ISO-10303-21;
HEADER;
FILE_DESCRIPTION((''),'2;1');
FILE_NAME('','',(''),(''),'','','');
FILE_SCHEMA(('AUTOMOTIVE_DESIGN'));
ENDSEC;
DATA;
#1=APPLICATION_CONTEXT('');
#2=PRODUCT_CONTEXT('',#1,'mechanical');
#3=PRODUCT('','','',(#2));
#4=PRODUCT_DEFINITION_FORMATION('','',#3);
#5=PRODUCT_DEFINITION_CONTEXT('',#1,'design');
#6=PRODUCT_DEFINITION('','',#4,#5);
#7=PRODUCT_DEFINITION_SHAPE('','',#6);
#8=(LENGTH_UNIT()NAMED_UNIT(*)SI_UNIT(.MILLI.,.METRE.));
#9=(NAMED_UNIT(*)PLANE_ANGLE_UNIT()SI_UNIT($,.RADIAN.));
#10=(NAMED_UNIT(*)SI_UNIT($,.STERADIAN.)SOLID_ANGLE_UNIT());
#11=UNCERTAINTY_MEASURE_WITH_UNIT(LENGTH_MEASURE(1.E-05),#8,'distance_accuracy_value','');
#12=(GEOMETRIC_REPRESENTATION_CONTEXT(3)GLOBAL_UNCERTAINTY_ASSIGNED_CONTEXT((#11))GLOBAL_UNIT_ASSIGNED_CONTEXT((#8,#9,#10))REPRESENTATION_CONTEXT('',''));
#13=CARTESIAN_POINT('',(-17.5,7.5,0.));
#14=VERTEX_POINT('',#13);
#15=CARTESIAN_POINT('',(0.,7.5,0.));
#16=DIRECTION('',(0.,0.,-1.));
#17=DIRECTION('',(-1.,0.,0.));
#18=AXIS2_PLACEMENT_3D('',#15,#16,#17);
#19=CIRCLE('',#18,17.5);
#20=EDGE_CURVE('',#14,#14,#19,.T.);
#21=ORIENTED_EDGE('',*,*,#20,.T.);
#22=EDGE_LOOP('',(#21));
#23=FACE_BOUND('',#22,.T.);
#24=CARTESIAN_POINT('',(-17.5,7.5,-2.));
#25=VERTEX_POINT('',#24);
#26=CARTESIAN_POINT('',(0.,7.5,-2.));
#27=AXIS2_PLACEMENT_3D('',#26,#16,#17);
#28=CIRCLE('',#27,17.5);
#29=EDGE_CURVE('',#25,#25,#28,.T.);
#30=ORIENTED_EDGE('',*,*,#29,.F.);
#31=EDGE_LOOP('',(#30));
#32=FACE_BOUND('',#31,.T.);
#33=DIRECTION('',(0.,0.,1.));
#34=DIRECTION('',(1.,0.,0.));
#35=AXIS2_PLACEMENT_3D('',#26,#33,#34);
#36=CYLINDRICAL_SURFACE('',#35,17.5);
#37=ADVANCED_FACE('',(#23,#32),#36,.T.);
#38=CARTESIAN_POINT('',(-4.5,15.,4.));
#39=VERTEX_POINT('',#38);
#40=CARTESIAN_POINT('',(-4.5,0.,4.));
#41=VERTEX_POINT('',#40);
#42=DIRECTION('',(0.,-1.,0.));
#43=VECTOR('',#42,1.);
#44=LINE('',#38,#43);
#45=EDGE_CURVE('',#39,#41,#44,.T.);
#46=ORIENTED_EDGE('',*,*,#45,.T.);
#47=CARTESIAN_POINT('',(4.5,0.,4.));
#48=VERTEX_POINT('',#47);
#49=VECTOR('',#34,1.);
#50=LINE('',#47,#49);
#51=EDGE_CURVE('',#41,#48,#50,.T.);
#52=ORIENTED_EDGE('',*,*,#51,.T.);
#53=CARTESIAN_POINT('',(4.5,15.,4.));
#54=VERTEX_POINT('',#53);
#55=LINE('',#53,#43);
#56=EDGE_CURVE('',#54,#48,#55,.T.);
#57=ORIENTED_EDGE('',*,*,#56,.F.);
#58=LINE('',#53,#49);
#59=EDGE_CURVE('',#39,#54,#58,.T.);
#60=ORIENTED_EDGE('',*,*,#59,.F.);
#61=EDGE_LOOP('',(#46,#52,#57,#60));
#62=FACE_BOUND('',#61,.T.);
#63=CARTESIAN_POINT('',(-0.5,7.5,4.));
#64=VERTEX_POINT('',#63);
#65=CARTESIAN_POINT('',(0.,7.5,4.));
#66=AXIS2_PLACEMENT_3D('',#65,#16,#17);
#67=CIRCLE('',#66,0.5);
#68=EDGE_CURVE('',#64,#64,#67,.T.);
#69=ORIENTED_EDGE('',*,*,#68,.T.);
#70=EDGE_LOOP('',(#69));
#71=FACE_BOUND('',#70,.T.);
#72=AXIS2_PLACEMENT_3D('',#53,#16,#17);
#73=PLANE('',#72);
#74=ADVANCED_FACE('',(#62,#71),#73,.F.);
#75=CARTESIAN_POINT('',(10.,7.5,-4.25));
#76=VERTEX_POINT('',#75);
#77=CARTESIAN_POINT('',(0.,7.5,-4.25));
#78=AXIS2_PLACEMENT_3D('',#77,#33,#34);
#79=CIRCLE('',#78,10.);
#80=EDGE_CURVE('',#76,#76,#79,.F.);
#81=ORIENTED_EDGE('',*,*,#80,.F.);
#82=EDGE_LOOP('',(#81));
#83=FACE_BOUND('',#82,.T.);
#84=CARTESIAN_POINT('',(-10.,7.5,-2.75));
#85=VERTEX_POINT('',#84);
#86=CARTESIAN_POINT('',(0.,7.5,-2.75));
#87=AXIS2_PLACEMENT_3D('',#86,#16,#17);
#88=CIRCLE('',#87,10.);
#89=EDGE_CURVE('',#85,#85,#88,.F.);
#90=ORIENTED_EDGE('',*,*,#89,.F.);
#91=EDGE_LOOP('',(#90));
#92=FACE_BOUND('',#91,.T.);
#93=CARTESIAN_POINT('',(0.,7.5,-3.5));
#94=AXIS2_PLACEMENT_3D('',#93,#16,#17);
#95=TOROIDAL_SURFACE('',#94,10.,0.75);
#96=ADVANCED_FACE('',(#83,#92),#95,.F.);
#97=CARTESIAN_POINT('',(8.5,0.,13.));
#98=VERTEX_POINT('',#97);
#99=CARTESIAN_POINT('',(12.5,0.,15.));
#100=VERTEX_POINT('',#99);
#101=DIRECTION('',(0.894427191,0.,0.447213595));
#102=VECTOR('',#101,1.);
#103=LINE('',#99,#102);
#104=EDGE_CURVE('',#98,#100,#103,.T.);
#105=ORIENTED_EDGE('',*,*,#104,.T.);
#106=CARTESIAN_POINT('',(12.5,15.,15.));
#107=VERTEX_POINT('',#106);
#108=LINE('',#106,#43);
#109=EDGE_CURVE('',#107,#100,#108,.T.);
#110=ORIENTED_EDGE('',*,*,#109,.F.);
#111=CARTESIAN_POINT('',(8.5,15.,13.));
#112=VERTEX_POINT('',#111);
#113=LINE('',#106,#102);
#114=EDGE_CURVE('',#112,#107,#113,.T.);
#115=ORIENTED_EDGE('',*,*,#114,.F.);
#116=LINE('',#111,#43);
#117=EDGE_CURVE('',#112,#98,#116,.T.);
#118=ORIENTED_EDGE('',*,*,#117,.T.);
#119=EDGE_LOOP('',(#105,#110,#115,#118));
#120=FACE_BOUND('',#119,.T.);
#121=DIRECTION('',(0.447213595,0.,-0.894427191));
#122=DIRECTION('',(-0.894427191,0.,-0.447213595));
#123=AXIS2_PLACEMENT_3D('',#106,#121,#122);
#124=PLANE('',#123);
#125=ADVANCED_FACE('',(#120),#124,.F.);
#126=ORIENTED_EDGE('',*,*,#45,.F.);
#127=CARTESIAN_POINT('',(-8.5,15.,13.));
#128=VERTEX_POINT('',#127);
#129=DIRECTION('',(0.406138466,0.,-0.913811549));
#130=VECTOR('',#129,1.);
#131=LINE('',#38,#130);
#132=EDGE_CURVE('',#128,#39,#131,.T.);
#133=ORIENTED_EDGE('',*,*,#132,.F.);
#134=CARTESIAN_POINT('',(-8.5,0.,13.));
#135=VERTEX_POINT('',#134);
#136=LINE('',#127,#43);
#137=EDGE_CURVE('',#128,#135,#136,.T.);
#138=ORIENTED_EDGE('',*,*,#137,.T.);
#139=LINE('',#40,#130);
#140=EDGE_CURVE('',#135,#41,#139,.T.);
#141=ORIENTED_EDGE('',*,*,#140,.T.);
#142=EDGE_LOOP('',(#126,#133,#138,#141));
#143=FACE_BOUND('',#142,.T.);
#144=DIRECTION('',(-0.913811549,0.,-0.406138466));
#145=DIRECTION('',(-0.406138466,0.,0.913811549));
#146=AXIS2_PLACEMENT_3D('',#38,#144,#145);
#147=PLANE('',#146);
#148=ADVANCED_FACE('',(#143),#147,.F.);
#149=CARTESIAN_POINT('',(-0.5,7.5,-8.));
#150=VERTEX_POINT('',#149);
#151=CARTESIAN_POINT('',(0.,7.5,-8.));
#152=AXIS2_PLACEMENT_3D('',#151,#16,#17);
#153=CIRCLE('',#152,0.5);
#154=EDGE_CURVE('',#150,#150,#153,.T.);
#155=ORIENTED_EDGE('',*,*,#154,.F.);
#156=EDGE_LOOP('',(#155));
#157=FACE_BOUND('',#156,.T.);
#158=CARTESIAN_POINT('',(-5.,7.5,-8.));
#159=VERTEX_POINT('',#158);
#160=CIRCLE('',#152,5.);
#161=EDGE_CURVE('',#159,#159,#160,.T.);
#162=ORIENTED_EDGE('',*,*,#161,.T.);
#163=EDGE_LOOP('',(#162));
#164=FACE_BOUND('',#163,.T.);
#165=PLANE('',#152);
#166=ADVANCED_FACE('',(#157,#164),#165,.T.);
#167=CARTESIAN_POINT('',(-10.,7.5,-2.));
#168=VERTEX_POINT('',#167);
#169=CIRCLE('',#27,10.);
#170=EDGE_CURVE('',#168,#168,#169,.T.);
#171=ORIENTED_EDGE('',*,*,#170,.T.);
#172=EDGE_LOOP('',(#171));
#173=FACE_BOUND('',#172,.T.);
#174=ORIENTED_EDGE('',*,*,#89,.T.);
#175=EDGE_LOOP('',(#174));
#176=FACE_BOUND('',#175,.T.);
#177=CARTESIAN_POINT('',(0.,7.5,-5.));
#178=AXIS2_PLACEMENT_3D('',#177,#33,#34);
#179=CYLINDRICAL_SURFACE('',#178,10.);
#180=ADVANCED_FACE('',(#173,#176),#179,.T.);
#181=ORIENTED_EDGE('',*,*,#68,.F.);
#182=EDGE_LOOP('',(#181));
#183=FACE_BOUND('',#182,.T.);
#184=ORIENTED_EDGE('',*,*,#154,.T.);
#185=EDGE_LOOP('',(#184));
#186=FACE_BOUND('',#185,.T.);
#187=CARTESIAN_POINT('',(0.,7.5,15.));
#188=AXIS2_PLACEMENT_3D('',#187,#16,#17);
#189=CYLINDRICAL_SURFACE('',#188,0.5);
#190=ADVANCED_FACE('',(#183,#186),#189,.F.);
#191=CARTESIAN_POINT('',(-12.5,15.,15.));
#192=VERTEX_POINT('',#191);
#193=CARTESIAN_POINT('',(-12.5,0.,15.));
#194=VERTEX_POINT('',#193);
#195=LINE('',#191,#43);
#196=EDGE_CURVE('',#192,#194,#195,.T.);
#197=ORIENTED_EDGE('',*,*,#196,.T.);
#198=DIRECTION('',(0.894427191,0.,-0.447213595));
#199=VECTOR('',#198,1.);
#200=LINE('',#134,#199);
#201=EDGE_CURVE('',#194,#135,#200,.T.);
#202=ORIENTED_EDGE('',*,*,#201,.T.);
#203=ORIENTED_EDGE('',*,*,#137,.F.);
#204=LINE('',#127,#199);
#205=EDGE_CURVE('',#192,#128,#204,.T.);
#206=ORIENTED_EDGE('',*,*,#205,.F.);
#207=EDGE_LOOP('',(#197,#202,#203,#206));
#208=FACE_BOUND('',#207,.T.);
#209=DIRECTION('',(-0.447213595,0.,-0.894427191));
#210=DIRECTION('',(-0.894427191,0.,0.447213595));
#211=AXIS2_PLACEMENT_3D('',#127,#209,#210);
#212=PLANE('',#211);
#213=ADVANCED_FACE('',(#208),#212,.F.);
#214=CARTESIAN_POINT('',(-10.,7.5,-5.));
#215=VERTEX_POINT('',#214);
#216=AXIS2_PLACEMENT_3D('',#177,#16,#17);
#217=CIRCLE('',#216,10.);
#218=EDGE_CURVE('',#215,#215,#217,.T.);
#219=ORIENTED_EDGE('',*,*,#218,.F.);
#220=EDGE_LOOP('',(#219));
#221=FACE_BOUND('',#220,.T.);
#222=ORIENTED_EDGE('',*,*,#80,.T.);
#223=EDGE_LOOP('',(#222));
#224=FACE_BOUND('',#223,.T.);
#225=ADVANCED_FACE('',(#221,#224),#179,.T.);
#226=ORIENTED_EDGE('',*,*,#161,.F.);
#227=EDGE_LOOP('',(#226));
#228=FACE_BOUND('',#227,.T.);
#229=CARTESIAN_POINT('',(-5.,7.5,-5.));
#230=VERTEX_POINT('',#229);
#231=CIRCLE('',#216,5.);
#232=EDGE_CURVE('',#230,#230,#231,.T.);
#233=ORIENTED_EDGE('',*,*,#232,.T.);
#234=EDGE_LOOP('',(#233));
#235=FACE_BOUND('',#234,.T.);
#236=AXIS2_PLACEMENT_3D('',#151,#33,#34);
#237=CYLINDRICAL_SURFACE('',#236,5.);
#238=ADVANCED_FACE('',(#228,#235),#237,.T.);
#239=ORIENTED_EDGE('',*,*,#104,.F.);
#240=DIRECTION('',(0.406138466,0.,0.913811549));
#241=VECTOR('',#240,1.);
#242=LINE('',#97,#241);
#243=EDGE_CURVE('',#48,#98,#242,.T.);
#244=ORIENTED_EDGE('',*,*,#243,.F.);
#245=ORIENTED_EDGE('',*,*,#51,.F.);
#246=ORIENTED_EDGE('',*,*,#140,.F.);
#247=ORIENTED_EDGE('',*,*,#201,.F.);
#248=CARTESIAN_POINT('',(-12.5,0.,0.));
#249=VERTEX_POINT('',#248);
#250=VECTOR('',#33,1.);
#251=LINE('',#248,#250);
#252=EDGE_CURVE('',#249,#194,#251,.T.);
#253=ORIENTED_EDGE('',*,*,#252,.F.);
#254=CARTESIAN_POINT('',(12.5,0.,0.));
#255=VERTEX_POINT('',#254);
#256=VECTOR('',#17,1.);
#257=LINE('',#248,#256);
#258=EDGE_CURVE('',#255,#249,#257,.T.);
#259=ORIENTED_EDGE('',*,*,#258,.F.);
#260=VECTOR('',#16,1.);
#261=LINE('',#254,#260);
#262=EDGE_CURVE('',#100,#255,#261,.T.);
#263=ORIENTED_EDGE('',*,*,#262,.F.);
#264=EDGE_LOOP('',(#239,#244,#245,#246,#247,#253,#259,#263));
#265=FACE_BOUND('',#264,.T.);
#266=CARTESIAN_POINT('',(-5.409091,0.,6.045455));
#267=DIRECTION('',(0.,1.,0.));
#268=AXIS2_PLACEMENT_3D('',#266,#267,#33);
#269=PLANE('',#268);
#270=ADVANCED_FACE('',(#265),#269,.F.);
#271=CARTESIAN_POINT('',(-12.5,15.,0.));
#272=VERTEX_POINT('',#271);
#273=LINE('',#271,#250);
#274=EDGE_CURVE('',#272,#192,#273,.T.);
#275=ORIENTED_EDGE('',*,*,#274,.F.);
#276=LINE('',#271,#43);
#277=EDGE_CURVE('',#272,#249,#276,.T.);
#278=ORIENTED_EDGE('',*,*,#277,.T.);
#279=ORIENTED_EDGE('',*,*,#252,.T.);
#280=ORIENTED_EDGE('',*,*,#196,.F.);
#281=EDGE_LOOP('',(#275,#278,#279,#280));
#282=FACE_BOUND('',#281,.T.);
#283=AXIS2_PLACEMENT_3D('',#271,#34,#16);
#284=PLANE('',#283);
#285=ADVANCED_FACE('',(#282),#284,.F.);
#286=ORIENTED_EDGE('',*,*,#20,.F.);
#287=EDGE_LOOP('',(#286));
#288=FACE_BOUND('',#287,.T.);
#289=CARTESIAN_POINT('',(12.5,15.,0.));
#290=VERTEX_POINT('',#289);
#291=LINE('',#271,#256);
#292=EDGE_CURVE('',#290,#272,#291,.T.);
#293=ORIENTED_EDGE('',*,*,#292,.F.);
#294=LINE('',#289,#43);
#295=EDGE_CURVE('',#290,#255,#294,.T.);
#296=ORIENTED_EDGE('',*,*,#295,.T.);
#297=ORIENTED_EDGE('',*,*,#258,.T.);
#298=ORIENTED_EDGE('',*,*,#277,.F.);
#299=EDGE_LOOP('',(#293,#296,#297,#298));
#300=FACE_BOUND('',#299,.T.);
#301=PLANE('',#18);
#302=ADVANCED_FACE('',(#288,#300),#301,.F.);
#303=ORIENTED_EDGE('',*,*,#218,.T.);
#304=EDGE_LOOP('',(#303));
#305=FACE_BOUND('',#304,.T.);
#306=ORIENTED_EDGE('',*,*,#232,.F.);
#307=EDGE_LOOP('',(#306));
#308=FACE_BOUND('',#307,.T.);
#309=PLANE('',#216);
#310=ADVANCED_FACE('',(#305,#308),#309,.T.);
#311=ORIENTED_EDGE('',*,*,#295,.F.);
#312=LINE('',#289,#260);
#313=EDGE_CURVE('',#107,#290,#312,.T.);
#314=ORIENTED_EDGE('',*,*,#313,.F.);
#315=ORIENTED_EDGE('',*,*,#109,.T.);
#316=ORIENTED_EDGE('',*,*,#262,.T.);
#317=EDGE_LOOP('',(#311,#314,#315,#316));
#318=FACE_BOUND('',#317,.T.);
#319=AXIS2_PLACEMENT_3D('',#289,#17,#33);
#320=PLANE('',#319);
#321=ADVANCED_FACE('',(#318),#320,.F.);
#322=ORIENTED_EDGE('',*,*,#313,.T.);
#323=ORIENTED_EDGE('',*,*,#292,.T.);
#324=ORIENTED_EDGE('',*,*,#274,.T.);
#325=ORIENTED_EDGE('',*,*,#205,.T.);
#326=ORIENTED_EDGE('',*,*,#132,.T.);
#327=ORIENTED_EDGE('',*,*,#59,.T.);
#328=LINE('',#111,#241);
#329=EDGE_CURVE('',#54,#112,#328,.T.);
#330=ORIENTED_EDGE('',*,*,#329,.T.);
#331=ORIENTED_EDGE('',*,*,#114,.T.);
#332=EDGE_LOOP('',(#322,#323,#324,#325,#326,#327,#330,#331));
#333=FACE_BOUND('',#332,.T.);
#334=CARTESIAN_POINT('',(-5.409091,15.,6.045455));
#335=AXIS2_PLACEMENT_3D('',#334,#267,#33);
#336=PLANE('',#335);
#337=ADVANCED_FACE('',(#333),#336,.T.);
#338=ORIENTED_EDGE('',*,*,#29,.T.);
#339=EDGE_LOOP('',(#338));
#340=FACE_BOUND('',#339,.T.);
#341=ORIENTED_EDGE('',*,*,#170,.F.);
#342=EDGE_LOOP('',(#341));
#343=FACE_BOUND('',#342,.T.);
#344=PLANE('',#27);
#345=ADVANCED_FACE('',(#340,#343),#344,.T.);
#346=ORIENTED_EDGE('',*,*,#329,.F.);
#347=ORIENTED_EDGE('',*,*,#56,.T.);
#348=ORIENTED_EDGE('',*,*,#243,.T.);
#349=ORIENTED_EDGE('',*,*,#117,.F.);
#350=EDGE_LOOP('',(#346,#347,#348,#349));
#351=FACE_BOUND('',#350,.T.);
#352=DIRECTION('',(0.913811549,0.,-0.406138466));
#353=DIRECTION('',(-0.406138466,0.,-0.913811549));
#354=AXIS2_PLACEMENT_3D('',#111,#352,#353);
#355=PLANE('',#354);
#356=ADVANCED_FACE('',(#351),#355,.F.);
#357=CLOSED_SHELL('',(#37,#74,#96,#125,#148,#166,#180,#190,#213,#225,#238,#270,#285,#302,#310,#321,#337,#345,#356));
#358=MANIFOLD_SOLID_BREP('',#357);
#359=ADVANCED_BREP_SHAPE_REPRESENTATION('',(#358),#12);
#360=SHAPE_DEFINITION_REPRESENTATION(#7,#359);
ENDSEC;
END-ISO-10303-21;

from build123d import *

# Parameters (mm, degrees)
SALIENTE_EXTRUIR1_DEPTH = 15
CROQUIS3_R              = 17.5
SALIENTE_EXTRUIR2_DEPTH = 2
CROQUIS4_R              = 10
SALIENTE_EXTRUIR3_DEPTH = 3
CROQUIS6_R              = 0.75
CROQUIS7_R              = 5
SALIENTE_EXTRUIR4_DEPTH = 3
CROQUIS8_R              = 0.5
CORTAR_EXTRUIR2_DEPTH   = 39.213217609


with BuildPart() as part:
    # Croquis1 → Saliente-Extruir1 (new body)
    with BuildSketch(Plane(origin=(0, 0, 0), x_dir=(1, 0, 0), z_dir=(0, 1, 0))):
        Polygon((8.5, -13), (4.5, -4), (-4.5, -4), (-8.5, -13), (-12.5, -15), (-12.5, 0), (12.5, 0), (12.5, -15), align=None)
    extrude(amount=SALIENTE_EXTRUIR1_DEPTH)

    # Croquis3 → Saliente-Extruir2 (add)
    with BuildSketch(Plane(origin=(0, 0, 0), x_dir=(-1, 0, 0), z_dir=(0, 0, -1))):
        with Locations((0, 7.5)):
            Circle(CROQUIS3_R)
    extrude(amount=SALIENTE_EXTRUIR2_DEPTH)

    # Croquis4 → Saliente-Extruir3 (add)
    with BuildSketch(Plane(origin=(0, 0, -2), x_dir=(-1, 0, 0), z_dir=(0, 0, -1))):
        with Locations((0, 7.5)):
            Circle(CROQUIS4_R)
    extrude(amount=SALIENTE_EXTRUIR3_DEPTH)

    # Croquis6 → Cortar-Revolución1 (revolve, cut)
    with BuildSketch(Plane(origin=(0, 0, 0), x_dir=(0, 0, -1), z_dir=(1, 0, 0)), mode=Mode.PRIVATE) as cortar_revoluci_n1_sk:
        with Locations((3.5, 17.5)):
            Circle(CROQUIS6_R)
    revolve(cortar_revoluci_n1_sk.sketch.rotate(Axis((0, 7.5, -5), (0, 0, 1)), 90), axis=Axis((0, 7.5, -5), (0, 0, 1)), mode=Mode.SUBTRACT)

    # Croquis7 → Saliente-Extruir4 (add)
    with BuildSketch(Plane(origin=(0, 0, -5), x_dir=(-1, 0, 0), z_dir=(0, 0, -1))):
        with Locations((0, 7.5)):
            Circle(CROQUIS7_R)
    extrude(amount=SALIENTE_EXTRUIR4_DEPTH)

    # Croquis8 → Cortar-Extruir2 (cut, through all)
    with BuildSketch(Plane(origin=(0, 0, -8), x_dir=(-1, 0, 0), z_dir=(0, 0, -1))):
        with Locations((0, 7.5)):
            Circle(CROQUIS8_R)
    extrude(amount=-CORTAR_EXTRUIR2_DEPTH, mode=Mode.SUBTRACT)


solid = part.part
